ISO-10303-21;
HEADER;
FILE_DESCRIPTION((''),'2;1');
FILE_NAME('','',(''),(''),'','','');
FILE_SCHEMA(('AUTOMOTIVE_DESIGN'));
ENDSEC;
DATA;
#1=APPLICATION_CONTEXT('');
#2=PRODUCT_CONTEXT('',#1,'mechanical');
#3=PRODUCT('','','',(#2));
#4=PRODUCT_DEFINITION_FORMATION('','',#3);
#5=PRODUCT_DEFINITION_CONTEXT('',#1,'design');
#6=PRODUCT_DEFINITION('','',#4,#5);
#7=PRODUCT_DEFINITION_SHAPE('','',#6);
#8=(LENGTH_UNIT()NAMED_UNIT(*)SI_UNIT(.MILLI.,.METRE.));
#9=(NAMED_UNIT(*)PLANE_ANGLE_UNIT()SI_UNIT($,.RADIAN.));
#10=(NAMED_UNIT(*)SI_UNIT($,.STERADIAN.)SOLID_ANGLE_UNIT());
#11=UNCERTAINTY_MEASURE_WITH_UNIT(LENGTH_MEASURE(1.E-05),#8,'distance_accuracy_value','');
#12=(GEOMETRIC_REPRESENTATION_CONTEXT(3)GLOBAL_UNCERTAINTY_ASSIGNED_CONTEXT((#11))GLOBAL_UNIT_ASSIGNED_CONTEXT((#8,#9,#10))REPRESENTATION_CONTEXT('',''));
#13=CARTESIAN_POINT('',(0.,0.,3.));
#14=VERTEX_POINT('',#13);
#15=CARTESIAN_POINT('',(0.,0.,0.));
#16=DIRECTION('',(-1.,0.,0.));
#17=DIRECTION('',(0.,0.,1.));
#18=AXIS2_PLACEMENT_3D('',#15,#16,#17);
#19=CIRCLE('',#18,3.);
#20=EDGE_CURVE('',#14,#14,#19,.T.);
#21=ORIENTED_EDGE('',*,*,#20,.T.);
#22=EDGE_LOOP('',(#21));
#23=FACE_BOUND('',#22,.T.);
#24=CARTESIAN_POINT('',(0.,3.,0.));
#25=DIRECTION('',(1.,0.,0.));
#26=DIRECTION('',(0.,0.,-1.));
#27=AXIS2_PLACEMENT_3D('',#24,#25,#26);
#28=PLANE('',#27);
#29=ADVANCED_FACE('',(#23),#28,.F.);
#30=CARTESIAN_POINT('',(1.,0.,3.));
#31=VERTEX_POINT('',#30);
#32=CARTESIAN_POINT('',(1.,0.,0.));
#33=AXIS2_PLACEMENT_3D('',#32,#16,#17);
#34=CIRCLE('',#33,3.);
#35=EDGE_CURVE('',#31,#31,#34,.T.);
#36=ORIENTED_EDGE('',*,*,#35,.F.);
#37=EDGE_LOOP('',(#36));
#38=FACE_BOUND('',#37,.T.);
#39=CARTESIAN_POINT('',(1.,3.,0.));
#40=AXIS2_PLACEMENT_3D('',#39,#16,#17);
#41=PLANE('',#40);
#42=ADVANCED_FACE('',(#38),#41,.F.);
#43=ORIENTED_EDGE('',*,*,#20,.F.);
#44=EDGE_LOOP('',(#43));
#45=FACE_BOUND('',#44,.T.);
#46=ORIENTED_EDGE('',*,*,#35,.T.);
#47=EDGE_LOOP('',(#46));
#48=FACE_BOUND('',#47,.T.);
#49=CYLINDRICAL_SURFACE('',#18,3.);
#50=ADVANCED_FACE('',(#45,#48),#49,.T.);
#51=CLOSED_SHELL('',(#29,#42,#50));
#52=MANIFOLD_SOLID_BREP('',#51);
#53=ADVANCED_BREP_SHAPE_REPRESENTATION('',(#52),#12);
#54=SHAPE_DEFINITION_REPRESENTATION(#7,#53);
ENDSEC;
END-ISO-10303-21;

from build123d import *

# Parameters (mm, degrees)
SKETCH_1_W = 1
SKETCH_1_H = 3


with BuildPart() as part:
    # 草图1 → 旋转2 (revolve)
    with BuildSketch(Plane.XY, mode=Mode.PRIVATE) as revolve_2_sk:
        with Locations((0.5, 1.5)):
            Rectangle(SKETCH_1_W, SKETCH_1_H)
    revolve(revolve_2_sk.sketch.rotate(Axis((0, 0, 0), (1, 0, 0)), 90), axis=Axis((0, 0, 0), (1, 0, 0)))  # turned: the seam where the file's is


solid = part.part
